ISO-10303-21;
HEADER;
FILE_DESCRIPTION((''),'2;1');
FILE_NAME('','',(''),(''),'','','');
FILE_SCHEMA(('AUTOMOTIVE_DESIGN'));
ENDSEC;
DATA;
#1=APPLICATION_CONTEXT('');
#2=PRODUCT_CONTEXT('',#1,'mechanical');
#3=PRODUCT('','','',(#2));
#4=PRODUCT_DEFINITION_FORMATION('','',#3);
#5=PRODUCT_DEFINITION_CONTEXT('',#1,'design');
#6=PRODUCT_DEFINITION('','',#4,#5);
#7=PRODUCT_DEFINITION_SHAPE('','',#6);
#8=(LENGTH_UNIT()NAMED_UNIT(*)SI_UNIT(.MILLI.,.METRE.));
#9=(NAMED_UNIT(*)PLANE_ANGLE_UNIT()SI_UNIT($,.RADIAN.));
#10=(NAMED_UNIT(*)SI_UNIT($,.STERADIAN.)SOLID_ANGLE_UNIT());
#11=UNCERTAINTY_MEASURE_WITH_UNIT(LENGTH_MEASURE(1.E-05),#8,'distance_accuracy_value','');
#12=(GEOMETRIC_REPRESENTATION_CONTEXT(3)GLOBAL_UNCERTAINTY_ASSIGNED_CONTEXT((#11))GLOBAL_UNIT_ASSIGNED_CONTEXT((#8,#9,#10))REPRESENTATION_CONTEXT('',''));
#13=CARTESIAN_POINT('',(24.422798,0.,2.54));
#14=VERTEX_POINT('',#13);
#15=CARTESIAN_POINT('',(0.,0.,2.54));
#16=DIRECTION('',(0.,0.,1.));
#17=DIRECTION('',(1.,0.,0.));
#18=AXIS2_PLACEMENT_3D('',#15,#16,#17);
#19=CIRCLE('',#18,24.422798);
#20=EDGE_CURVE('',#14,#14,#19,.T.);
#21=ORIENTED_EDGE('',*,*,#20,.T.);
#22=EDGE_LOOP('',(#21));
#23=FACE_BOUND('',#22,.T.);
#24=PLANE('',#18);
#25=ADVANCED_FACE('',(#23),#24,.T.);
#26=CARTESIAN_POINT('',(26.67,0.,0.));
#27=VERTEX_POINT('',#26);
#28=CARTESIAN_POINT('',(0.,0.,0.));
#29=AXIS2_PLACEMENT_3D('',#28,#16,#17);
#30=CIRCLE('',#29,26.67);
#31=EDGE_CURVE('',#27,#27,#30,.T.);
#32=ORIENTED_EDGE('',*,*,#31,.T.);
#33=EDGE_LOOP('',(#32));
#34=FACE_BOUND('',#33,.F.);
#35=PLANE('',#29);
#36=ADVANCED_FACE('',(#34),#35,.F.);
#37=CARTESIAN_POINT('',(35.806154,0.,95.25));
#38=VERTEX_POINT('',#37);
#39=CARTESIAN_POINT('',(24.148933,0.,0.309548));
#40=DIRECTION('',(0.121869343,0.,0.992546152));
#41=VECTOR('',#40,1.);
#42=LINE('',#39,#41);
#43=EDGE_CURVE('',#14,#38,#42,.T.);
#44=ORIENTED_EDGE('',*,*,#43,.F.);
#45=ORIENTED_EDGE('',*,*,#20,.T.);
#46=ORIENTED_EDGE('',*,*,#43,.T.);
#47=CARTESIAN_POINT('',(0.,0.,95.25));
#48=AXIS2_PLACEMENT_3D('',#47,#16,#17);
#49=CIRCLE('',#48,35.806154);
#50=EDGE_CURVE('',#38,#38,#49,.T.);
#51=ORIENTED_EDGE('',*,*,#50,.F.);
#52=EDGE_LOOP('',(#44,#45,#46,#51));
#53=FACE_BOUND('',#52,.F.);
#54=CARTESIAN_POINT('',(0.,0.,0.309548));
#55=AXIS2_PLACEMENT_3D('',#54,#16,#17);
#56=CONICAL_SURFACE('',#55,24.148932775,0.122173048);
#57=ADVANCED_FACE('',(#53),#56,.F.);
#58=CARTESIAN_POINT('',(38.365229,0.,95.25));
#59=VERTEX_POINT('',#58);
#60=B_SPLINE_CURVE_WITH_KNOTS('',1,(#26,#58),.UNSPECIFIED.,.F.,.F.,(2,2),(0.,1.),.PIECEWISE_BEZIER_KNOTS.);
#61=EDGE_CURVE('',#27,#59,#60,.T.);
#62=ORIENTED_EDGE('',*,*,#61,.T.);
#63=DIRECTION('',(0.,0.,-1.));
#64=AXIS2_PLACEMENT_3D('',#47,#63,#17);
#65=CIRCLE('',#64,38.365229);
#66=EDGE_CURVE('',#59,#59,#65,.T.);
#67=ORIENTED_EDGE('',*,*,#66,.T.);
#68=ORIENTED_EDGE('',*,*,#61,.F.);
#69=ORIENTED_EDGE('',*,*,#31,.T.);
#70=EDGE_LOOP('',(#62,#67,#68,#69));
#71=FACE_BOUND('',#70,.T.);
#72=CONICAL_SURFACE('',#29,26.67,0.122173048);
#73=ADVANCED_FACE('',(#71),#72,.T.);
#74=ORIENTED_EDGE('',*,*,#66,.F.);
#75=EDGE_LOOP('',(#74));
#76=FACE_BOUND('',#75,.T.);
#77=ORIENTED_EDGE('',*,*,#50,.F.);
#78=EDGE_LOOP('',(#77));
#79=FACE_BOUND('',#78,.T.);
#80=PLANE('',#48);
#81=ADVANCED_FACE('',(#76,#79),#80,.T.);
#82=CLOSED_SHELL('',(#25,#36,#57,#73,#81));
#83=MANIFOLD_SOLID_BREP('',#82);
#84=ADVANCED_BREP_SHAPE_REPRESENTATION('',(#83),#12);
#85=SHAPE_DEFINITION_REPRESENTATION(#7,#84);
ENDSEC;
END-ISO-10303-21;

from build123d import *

# Parameters (mm, degrees)
F0_R     = 26.67
F1_DEPTH = 95.25
F1_TAPER = -7
F2_T     = -2.54


with BuildPart() as f1:
    # F0 (on Top) → F1 (new body)
    with BuildSketch(Plane.XY):
        Circle(F0_R)
    extrude(amount=F1_DEPTH, taper=F1_TAPER)

    # F2
    f2_openings = [f1.faces().sort_by_distance(p)[0] for p in [
        (0, 0, 95.25),
    ]]
    offset(amount=F2_T, openings=f2_openings, kind=Kind.INTERSECTION)


solid = f1.part
